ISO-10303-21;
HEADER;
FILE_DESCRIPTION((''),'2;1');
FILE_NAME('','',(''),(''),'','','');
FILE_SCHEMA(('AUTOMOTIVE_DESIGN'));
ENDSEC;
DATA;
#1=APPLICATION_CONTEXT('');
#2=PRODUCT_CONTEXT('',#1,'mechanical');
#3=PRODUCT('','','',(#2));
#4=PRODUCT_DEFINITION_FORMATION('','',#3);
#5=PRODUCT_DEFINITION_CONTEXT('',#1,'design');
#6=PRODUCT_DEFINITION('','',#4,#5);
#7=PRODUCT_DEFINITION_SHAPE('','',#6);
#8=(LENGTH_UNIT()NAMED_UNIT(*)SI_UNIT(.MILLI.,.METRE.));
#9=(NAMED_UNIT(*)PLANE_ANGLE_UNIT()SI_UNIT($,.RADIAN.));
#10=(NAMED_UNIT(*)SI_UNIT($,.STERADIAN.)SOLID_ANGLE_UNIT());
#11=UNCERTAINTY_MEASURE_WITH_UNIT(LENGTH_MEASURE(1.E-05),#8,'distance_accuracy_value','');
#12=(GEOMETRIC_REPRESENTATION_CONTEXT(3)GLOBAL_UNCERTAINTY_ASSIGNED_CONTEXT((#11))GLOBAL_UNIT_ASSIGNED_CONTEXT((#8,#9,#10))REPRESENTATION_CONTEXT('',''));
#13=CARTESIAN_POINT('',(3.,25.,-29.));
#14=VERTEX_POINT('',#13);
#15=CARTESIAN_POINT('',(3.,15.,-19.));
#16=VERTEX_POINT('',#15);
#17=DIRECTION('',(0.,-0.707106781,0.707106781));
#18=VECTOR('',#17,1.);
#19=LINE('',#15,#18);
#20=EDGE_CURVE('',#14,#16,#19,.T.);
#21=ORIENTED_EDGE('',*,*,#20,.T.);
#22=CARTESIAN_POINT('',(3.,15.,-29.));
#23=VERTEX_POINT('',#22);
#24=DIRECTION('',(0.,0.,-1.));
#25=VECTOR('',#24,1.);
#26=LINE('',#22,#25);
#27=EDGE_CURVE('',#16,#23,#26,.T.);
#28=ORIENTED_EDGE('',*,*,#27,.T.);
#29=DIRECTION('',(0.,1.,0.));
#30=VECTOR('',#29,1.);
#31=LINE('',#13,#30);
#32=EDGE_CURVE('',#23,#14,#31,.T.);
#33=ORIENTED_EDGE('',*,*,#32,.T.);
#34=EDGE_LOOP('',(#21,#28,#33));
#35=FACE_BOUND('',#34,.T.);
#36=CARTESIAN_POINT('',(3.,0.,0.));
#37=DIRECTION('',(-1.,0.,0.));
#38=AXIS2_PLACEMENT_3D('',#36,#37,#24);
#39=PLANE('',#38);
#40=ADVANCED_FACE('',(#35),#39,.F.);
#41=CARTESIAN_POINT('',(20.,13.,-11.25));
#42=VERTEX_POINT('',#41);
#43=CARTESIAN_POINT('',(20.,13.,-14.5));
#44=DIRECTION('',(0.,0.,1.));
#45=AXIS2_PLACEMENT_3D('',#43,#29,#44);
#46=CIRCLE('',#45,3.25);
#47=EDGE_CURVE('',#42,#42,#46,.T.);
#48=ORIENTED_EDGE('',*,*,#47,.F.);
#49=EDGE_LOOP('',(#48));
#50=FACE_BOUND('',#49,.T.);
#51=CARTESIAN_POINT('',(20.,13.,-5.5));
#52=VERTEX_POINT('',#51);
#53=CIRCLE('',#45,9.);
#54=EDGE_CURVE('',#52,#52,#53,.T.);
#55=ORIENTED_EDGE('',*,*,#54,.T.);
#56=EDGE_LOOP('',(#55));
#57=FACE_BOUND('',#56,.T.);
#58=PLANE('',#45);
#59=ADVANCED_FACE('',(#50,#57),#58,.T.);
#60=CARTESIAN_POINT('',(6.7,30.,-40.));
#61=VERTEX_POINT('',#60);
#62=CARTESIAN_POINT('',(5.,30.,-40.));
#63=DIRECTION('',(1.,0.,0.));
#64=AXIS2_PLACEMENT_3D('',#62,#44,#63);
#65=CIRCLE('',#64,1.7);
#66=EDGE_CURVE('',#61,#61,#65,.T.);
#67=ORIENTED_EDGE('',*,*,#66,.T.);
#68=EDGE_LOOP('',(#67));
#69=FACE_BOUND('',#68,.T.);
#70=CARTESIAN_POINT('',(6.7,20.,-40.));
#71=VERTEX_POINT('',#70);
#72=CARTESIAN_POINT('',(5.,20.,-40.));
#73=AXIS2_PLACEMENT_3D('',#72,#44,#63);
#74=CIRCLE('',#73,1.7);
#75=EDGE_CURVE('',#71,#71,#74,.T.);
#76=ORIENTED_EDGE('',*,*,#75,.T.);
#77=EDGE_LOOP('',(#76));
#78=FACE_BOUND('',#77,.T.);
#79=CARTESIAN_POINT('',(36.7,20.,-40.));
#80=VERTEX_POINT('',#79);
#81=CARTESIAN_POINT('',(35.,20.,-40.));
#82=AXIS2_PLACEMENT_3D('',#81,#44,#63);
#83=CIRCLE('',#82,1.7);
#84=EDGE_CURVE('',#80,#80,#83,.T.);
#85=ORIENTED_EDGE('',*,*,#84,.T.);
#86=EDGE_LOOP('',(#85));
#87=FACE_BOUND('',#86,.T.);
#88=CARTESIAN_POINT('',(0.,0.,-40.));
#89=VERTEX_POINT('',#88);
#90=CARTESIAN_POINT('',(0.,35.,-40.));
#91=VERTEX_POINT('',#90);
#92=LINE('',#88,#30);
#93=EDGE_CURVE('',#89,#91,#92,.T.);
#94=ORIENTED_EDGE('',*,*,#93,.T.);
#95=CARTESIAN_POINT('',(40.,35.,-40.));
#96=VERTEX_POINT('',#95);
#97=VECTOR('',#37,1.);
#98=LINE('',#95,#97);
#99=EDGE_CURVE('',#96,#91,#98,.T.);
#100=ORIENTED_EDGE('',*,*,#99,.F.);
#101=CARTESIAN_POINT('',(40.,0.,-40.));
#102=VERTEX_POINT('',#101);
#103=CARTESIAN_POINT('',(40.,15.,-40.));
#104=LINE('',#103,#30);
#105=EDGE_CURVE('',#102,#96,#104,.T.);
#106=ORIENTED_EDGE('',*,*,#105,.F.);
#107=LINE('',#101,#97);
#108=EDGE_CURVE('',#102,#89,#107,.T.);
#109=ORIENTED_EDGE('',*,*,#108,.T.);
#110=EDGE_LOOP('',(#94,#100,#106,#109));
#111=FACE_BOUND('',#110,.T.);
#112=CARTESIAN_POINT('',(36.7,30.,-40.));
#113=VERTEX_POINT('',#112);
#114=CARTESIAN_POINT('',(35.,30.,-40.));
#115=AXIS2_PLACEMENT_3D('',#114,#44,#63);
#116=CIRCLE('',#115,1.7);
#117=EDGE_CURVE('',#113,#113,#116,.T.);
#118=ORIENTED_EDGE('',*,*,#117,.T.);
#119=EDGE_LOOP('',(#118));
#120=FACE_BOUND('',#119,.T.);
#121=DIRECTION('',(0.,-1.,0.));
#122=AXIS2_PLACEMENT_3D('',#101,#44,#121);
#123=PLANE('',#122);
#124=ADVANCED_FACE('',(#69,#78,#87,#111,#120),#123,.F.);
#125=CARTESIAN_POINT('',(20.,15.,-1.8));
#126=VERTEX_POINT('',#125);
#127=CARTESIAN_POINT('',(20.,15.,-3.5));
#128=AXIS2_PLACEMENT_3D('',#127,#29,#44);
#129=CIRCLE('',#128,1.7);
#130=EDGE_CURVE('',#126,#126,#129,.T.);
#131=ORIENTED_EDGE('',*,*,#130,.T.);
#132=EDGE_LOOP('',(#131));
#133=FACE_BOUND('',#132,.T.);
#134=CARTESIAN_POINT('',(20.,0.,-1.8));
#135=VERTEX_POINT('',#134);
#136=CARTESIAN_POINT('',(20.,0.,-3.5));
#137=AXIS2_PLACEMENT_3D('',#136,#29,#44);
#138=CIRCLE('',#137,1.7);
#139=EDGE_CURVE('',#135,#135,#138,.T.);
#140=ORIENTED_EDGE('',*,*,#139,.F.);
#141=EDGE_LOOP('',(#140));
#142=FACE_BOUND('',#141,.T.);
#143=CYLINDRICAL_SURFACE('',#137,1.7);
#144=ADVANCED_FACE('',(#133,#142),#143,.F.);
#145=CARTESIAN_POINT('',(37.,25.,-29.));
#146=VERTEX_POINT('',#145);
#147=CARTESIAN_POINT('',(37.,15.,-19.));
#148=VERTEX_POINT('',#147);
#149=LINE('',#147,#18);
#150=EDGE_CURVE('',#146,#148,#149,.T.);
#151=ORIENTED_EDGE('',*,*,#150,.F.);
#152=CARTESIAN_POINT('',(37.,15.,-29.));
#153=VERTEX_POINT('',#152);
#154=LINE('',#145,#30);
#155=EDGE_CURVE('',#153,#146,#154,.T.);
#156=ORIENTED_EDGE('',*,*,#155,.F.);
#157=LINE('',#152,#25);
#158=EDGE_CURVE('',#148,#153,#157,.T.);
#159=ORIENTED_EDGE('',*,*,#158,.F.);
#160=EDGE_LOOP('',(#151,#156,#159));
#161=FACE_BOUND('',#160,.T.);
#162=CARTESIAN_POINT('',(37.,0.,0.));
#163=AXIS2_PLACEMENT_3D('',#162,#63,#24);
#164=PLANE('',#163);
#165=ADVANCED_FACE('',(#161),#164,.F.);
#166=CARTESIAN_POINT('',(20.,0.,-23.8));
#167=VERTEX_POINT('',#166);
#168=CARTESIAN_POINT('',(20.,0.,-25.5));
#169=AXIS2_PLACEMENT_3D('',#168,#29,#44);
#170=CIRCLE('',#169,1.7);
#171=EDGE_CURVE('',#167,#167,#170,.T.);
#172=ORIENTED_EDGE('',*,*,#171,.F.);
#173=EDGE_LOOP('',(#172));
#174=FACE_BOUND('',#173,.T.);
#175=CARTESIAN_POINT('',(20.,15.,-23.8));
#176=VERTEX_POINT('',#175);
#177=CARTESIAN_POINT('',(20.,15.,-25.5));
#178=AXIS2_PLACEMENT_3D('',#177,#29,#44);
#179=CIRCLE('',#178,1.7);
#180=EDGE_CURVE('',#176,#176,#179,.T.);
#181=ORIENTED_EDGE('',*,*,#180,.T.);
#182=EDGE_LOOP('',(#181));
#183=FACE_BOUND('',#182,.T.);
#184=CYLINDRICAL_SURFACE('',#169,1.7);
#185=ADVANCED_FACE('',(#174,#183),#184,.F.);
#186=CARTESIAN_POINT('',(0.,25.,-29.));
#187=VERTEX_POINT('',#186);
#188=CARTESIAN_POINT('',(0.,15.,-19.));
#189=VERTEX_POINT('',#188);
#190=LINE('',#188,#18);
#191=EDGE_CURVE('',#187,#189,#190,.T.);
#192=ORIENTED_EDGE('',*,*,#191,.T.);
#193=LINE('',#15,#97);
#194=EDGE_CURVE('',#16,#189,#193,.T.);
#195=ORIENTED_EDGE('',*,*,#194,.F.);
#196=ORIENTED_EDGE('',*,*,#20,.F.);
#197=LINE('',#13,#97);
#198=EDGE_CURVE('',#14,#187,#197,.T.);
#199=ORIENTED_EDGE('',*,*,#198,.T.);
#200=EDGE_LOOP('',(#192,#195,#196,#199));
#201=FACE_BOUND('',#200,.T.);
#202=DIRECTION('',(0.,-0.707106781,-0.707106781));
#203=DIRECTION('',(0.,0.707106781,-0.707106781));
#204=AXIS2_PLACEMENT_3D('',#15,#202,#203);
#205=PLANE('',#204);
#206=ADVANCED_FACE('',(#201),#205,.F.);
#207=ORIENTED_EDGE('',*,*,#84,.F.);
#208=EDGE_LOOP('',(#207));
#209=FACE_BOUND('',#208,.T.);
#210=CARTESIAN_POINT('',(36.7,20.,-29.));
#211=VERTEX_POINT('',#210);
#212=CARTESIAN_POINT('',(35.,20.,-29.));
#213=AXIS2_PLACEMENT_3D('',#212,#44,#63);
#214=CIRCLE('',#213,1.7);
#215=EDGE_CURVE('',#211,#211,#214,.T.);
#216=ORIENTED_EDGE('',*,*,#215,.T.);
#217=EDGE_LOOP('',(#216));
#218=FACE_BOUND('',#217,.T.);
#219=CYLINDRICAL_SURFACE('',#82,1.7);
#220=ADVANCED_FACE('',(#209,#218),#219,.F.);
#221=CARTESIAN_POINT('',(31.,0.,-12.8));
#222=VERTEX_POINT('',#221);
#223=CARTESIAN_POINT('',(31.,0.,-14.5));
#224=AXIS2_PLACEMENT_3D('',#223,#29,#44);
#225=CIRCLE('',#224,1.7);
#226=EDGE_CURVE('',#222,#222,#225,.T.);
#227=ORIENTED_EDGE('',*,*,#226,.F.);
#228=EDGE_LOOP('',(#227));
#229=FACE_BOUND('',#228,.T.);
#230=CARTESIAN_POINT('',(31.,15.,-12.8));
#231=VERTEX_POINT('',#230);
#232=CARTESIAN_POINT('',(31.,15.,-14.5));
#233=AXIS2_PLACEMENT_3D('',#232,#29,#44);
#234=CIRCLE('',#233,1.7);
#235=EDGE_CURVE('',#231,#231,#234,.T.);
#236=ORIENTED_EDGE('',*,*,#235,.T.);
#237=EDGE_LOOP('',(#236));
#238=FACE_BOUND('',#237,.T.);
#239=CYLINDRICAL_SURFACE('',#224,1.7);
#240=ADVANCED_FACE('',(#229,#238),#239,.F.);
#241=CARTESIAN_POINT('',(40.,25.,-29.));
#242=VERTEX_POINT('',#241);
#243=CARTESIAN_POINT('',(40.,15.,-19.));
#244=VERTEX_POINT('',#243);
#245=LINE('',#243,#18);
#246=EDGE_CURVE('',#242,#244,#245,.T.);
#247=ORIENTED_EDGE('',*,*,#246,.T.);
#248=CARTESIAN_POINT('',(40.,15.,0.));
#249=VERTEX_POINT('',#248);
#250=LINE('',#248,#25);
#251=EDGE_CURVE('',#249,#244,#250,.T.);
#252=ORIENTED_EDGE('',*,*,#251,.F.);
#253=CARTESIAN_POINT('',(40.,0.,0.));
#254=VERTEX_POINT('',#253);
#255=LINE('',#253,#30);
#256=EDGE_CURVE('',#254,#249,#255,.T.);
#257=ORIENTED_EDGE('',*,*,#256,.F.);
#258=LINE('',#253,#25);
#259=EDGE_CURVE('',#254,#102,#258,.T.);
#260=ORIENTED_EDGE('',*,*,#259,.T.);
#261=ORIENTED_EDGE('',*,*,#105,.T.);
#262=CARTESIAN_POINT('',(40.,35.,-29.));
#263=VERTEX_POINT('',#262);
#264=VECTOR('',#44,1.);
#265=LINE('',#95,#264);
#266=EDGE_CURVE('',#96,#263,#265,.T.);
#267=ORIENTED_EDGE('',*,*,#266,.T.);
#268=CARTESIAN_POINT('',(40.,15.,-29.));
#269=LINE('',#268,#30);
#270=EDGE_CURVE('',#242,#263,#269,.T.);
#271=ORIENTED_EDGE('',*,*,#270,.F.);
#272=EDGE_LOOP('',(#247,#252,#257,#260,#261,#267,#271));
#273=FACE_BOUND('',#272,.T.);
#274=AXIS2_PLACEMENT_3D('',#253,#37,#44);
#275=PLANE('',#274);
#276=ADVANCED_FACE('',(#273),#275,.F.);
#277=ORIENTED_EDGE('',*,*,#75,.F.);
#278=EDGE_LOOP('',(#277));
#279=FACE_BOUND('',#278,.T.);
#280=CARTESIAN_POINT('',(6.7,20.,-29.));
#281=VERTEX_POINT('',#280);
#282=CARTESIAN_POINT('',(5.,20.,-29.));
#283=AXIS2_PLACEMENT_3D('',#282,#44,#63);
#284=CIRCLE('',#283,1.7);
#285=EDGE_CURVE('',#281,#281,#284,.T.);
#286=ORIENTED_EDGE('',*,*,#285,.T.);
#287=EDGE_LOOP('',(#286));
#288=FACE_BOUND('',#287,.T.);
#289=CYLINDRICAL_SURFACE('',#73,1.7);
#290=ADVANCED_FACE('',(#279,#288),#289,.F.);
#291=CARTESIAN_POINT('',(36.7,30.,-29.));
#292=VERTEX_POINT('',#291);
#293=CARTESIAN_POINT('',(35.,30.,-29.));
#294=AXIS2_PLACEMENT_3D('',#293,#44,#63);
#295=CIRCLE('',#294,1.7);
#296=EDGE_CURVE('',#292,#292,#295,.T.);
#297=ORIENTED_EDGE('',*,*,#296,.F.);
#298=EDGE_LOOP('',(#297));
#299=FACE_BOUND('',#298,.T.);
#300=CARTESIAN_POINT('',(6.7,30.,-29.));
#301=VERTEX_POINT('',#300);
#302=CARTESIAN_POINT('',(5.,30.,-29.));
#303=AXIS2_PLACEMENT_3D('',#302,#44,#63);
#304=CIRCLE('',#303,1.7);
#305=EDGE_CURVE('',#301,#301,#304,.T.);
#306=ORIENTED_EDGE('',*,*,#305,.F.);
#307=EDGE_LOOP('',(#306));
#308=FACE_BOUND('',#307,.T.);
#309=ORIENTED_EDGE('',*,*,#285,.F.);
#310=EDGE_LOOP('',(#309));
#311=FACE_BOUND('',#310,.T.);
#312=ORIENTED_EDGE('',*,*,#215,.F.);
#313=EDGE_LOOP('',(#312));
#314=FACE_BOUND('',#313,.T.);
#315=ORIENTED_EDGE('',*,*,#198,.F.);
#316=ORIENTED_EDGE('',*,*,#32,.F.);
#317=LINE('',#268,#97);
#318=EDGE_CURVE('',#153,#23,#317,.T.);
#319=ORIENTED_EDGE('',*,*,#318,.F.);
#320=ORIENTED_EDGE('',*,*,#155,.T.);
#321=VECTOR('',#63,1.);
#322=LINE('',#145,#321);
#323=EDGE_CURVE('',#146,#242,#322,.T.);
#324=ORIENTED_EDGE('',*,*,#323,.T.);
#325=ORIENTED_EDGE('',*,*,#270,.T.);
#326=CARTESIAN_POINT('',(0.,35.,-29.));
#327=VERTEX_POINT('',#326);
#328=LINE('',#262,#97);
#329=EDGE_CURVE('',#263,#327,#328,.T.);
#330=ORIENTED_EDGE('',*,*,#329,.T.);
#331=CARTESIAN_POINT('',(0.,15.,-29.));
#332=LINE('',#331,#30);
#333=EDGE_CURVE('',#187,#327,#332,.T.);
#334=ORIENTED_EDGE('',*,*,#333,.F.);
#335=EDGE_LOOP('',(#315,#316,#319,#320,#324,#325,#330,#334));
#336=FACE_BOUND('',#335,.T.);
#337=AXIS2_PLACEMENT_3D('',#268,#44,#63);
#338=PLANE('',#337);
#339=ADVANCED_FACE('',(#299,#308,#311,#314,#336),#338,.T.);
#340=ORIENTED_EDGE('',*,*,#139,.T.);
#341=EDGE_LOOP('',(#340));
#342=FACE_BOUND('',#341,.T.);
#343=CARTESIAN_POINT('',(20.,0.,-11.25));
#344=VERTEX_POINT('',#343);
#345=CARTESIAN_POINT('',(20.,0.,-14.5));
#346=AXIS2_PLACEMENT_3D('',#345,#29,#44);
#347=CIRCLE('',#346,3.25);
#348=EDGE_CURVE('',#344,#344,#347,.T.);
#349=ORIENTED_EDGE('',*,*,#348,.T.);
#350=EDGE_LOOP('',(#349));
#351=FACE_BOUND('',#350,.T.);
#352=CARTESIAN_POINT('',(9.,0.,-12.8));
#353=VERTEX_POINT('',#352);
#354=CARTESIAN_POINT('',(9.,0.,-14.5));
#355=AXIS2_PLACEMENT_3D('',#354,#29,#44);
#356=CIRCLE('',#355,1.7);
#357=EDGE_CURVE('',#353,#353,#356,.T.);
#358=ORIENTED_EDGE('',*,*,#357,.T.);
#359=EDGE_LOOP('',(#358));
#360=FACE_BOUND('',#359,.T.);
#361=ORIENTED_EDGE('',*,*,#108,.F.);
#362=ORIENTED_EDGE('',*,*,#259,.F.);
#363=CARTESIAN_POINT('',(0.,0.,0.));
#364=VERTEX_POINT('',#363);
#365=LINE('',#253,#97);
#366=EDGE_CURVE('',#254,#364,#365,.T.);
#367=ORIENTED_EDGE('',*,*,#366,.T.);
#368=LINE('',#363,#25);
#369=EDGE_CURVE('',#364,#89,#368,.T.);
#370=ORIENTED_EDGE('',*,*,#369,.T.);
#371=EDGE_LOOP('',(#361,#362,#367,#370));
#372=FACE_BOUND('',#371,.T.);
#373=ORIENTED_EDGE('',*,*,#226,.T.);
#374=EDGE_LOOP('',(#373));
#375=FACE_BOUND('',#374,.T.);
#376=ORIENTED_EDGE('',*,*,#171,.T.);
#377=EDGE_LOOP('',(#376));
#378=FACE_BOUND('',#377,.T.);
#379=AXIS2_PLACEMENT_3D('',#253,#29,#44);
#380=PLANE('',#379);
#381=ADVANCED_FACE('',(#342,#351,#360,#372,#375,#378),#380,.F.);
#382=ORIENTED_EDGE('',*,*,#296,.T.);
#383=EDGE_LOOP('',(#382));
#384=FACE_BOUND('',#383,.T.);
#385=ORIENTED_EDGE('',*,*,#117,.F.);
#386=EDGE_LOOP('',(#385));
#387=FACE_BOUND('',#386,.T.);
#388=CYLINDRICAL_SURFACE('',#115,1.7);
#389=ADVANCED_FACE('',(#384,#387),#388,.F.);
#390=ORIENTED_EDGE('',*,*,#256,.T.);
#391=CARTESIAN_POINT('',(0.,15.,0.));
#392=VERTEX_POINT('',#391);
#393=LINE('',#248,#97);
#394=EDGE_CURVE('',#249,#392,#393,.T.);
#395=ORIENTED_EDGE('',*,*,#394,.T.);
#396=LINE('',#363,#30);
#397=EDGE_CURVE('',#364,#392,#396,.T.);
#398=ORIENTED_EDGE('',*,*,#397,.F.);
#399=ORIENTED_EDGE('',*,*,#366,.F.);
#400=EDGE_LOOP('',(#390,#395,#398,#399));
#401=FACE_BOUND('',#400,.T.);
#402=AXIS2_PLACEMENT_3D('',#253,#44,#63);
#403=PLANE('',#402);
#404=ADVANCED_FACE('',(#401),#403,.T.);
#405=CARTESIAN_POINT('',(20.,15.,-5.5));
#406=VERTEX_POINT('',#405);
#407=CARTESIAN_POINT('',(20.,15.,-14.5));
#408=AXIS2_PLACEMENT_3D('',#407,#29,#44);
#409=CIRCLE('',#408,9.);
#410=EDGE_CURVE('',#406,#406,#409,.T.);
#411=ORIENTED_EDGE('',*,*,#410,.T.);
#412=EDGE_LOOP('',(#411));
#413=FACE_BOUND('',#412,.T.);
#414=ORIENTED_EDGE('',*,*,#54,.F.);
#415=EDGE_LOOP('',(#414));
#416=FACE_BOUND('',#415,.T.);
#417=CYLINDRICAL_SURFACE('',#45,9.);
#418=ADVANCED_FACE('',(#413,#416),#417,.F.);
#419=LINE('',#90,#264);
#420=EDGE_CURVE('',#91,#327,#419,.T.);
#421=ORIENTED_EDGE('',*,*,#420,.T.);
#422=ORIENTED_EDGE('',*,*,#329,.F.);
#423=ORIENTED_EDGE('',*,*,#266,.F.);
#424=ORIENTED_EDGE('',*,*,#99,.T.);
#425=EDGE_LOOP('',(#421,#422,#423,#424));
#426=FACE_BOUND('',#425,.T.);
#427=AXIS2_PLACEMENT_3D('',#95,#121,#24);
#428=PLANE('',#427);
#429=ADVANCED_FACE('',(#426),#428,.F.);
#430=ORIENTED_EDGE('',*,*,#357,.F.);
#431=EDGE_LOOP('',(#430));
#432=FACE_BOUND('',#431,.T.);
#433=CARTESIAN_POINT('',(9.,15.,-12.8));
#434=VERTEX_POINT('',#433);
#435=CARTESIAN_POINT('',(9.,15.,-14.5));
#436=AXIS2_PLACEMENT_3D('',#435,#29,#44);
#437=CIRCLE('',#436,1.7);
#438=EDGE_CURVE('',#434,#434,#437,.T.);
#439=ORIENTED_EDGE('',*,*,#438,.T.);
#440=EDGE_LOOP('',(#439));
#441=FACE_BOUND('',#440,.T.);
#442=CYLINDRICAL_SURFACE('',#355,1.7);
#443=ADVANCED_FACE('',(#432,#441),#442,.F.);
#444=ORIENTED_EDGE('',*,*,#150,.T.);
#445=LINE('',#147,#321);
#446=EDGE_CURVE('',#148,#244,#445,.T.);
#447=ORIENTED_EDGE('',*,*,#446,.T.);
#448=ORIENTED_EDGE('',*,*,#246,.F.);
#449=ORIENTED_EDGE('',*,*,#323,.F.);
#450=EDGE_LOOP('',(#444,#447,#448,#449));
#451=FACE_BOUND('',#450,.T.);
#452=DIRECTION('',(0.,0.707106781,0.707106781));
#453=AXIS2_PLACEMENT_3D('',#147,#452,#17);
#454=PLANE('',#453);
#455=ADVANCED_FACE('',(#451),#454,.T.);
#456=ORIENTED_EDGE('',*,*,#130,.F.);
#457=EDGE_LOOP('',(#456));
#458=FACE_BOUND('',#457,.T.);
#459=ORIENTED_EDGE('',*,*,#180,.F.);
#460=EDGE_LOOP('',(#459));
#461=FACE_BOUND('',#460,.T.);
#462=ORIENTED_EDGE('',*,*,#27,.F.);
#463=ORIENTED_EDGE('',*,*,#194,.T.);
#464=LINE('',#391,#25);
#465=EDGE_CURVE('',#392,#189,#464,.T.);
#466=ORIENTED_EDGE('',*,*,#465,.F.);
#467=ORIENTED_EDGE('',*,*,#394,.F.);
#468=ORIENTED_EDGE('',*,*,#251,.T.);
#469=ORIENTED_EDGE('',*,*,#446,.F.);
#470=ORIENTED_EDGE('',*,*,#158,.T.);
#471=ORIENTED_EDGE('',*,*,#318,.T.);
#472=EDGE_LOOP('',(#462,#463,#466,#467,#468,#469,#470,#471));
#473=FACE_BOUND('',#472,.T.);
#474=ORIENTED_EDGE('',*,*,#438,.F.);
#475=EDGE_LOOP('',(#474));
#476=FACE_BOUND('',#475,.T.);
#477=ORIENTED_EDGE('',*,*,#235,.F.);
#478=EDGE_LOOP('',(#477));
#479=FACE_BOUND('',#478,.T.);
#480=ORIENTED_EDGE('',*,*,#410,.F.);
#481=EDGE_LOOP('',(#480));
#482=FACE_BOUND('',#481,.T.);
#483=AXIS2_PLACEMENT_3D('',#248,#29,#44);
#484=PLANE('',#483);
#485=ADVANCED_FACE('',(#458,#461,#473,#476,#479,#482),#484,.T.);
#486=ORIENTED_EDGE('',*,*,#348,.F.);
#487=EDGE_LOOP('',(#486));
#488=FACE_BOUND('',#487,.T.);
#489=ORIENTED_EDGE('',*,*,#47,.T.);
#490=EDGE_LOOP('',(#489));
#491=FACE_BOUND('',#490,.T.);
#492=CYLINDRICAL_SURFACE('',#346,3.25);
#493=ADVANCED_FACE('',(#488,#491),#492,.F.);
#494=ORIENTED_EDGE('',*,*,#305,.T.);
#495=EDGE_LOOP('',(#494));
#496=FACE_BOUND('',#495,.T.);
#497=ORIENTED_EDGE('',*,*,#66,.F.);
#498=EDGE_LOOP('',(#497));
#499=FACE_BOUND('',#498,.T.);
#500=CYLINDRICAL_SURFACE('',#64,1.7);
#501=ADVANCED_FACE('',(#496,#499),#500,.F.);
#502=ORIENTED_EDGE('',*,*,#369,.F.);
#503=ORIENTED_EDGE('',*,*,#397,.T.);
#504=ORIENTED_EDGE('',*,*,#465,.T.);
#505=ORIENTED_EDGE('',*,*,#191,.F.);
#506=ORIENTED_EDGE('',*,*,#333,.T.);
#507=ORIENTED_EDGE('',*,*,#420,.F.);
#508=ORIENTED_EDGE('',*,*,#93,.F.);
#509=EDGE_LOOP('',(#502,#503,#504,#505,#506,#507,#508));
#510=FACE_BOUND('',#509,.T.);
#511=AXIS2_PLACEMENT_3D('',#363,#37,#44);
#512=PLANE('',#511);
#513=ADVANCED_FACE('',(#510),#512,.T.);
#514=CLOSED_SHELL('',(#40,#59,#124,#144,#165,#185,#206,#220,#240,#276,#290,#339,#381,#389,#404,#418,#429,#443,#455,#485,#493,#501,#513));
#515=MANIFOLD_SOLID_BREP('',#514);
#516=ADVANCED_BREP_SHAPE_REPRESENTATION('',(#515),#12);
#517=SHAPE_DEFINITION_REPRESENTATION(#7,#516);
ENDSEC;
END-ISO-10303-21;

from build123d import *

# Parameters (mm, degrees)
BOSS_EXTRUDE1_DEPTH = 40
SKETCH2_R           = 9
CUT_EXTRUDE8_DEPTH  = 2
SKETCH6_R           = 3.25
CUT_EXTRUDE9_DEPTH  = 61.695963622
SKETCH7_R           = 1.7
CUT_EXTRUDE10_DEPTH = 61
SKETCH8_R           = 1.7
CUT_EXTRUDE11_DEPTH = 61.547502013
BOSS_EXTRUDE3_DEPTH = 3


with BuildPart() as part:
    # Sketch1 → Boss-Extrude1 (new body)
    with BuildSketch(Plane(origin=(0, 0, 0), x_dir=(0, 0, -1), z_dir=(1, 0, 0))):
        Polygon((0, 0), (40, 0), (40, 15), (40, 35), (29, 35), (29, 15), (0, 15), align=None)
    extrude(amount=BOSS_EXTRUDE1_DEPTH)

    # Sketch2 → Cut-Extrude8 (cut)
    with BuildSketch(Plane(origin=(0, 15, 0), x_dir=(1, 0, 0), z_dir=(0, 1, 0))):
        with Locations(Location((20, 14.5, 0), (0, 0, 270))):
            Circle(SKETCH2_R)
    extrude(amount=-CUT_EXTRUDE8_DEPTH, mode=Mode.SUBTRACT)

    # Sketch6 → Cut-Extrude9 (cut, through all)
    with BuildSketch(Plane(origin=(0, 13, 0), x_dir=(1, 0, 0), z_dir=(0, 1, 0))):
        with Locations(Location((20, 14.5, 0), (0, 0, 270))):
            Circle(SKETCH6_R)
    extrude(amount=-CUT_EXTRUDE9_DEPTH, mode=Mode.SUBTRACT)

    # Sketch7 → Cut-Extrude10 (cut, through all)
    with BuildSketch(Plane(origin=(0, 15, 0), x_dir=(1, 0, 0), z_dir=(0, 1, 0))):
        with Locations(Location((31, 14.5, 0), (0, 0, 270))):
            Circle(SKETCH7_R)
        with Locations(Location((20, 25.5, 0), (0, 0, 270))):
            Circle(SKETCH7_R)
        with Locations(Location((9, 14.5, 0), (0, 0, 270))):
            Circle(SKETCH7_R)
        with Locations(Location((20, 3.5, 0), (0, 0, 270))):
            Circle(SKETCH7_R)
    extrude(amount=-CUT_EXTRUDE10_DEPTH, mode=Mode.SUBTRACT)

    # Sketch8 → Cut-Extrude11 (cut, through all)
    with BuildSketch(Plane.XY.offset(-29)):
        with Locations((35, 30)):
            Circle(SKETCH8_R)
        with Locations((35, 20)):
            Circle(SKETCH8_R)
        with Locations((5, 30)):
            Circle(SKETCH8_R)
        with Locations((5, 20)):
            Circle(SKETCH8_R)
    extrude(amount=-CUT_EXTRUDE11_DEPTH, mode=Mode.SUBTRACT)

    # Sketch9 → Boss-Extrude3 (add)
    with BuildSketch(Plane(origin=(40, 0, 0), x_dir=(0, 0, -1), z_dir=(1, 0, 0))):
        Polygon((29, 25), (29, 15), (19, 15), align=None)
    boss_extrude3 = extrude(amount=-BOSS_EXTRUDE3_DEPTH)

    # Mirror3: Boss-Extrude3 across plane
    add(boss_extrude3.mirror(Plane.ZY.offset(-20)))


solid = part.part
